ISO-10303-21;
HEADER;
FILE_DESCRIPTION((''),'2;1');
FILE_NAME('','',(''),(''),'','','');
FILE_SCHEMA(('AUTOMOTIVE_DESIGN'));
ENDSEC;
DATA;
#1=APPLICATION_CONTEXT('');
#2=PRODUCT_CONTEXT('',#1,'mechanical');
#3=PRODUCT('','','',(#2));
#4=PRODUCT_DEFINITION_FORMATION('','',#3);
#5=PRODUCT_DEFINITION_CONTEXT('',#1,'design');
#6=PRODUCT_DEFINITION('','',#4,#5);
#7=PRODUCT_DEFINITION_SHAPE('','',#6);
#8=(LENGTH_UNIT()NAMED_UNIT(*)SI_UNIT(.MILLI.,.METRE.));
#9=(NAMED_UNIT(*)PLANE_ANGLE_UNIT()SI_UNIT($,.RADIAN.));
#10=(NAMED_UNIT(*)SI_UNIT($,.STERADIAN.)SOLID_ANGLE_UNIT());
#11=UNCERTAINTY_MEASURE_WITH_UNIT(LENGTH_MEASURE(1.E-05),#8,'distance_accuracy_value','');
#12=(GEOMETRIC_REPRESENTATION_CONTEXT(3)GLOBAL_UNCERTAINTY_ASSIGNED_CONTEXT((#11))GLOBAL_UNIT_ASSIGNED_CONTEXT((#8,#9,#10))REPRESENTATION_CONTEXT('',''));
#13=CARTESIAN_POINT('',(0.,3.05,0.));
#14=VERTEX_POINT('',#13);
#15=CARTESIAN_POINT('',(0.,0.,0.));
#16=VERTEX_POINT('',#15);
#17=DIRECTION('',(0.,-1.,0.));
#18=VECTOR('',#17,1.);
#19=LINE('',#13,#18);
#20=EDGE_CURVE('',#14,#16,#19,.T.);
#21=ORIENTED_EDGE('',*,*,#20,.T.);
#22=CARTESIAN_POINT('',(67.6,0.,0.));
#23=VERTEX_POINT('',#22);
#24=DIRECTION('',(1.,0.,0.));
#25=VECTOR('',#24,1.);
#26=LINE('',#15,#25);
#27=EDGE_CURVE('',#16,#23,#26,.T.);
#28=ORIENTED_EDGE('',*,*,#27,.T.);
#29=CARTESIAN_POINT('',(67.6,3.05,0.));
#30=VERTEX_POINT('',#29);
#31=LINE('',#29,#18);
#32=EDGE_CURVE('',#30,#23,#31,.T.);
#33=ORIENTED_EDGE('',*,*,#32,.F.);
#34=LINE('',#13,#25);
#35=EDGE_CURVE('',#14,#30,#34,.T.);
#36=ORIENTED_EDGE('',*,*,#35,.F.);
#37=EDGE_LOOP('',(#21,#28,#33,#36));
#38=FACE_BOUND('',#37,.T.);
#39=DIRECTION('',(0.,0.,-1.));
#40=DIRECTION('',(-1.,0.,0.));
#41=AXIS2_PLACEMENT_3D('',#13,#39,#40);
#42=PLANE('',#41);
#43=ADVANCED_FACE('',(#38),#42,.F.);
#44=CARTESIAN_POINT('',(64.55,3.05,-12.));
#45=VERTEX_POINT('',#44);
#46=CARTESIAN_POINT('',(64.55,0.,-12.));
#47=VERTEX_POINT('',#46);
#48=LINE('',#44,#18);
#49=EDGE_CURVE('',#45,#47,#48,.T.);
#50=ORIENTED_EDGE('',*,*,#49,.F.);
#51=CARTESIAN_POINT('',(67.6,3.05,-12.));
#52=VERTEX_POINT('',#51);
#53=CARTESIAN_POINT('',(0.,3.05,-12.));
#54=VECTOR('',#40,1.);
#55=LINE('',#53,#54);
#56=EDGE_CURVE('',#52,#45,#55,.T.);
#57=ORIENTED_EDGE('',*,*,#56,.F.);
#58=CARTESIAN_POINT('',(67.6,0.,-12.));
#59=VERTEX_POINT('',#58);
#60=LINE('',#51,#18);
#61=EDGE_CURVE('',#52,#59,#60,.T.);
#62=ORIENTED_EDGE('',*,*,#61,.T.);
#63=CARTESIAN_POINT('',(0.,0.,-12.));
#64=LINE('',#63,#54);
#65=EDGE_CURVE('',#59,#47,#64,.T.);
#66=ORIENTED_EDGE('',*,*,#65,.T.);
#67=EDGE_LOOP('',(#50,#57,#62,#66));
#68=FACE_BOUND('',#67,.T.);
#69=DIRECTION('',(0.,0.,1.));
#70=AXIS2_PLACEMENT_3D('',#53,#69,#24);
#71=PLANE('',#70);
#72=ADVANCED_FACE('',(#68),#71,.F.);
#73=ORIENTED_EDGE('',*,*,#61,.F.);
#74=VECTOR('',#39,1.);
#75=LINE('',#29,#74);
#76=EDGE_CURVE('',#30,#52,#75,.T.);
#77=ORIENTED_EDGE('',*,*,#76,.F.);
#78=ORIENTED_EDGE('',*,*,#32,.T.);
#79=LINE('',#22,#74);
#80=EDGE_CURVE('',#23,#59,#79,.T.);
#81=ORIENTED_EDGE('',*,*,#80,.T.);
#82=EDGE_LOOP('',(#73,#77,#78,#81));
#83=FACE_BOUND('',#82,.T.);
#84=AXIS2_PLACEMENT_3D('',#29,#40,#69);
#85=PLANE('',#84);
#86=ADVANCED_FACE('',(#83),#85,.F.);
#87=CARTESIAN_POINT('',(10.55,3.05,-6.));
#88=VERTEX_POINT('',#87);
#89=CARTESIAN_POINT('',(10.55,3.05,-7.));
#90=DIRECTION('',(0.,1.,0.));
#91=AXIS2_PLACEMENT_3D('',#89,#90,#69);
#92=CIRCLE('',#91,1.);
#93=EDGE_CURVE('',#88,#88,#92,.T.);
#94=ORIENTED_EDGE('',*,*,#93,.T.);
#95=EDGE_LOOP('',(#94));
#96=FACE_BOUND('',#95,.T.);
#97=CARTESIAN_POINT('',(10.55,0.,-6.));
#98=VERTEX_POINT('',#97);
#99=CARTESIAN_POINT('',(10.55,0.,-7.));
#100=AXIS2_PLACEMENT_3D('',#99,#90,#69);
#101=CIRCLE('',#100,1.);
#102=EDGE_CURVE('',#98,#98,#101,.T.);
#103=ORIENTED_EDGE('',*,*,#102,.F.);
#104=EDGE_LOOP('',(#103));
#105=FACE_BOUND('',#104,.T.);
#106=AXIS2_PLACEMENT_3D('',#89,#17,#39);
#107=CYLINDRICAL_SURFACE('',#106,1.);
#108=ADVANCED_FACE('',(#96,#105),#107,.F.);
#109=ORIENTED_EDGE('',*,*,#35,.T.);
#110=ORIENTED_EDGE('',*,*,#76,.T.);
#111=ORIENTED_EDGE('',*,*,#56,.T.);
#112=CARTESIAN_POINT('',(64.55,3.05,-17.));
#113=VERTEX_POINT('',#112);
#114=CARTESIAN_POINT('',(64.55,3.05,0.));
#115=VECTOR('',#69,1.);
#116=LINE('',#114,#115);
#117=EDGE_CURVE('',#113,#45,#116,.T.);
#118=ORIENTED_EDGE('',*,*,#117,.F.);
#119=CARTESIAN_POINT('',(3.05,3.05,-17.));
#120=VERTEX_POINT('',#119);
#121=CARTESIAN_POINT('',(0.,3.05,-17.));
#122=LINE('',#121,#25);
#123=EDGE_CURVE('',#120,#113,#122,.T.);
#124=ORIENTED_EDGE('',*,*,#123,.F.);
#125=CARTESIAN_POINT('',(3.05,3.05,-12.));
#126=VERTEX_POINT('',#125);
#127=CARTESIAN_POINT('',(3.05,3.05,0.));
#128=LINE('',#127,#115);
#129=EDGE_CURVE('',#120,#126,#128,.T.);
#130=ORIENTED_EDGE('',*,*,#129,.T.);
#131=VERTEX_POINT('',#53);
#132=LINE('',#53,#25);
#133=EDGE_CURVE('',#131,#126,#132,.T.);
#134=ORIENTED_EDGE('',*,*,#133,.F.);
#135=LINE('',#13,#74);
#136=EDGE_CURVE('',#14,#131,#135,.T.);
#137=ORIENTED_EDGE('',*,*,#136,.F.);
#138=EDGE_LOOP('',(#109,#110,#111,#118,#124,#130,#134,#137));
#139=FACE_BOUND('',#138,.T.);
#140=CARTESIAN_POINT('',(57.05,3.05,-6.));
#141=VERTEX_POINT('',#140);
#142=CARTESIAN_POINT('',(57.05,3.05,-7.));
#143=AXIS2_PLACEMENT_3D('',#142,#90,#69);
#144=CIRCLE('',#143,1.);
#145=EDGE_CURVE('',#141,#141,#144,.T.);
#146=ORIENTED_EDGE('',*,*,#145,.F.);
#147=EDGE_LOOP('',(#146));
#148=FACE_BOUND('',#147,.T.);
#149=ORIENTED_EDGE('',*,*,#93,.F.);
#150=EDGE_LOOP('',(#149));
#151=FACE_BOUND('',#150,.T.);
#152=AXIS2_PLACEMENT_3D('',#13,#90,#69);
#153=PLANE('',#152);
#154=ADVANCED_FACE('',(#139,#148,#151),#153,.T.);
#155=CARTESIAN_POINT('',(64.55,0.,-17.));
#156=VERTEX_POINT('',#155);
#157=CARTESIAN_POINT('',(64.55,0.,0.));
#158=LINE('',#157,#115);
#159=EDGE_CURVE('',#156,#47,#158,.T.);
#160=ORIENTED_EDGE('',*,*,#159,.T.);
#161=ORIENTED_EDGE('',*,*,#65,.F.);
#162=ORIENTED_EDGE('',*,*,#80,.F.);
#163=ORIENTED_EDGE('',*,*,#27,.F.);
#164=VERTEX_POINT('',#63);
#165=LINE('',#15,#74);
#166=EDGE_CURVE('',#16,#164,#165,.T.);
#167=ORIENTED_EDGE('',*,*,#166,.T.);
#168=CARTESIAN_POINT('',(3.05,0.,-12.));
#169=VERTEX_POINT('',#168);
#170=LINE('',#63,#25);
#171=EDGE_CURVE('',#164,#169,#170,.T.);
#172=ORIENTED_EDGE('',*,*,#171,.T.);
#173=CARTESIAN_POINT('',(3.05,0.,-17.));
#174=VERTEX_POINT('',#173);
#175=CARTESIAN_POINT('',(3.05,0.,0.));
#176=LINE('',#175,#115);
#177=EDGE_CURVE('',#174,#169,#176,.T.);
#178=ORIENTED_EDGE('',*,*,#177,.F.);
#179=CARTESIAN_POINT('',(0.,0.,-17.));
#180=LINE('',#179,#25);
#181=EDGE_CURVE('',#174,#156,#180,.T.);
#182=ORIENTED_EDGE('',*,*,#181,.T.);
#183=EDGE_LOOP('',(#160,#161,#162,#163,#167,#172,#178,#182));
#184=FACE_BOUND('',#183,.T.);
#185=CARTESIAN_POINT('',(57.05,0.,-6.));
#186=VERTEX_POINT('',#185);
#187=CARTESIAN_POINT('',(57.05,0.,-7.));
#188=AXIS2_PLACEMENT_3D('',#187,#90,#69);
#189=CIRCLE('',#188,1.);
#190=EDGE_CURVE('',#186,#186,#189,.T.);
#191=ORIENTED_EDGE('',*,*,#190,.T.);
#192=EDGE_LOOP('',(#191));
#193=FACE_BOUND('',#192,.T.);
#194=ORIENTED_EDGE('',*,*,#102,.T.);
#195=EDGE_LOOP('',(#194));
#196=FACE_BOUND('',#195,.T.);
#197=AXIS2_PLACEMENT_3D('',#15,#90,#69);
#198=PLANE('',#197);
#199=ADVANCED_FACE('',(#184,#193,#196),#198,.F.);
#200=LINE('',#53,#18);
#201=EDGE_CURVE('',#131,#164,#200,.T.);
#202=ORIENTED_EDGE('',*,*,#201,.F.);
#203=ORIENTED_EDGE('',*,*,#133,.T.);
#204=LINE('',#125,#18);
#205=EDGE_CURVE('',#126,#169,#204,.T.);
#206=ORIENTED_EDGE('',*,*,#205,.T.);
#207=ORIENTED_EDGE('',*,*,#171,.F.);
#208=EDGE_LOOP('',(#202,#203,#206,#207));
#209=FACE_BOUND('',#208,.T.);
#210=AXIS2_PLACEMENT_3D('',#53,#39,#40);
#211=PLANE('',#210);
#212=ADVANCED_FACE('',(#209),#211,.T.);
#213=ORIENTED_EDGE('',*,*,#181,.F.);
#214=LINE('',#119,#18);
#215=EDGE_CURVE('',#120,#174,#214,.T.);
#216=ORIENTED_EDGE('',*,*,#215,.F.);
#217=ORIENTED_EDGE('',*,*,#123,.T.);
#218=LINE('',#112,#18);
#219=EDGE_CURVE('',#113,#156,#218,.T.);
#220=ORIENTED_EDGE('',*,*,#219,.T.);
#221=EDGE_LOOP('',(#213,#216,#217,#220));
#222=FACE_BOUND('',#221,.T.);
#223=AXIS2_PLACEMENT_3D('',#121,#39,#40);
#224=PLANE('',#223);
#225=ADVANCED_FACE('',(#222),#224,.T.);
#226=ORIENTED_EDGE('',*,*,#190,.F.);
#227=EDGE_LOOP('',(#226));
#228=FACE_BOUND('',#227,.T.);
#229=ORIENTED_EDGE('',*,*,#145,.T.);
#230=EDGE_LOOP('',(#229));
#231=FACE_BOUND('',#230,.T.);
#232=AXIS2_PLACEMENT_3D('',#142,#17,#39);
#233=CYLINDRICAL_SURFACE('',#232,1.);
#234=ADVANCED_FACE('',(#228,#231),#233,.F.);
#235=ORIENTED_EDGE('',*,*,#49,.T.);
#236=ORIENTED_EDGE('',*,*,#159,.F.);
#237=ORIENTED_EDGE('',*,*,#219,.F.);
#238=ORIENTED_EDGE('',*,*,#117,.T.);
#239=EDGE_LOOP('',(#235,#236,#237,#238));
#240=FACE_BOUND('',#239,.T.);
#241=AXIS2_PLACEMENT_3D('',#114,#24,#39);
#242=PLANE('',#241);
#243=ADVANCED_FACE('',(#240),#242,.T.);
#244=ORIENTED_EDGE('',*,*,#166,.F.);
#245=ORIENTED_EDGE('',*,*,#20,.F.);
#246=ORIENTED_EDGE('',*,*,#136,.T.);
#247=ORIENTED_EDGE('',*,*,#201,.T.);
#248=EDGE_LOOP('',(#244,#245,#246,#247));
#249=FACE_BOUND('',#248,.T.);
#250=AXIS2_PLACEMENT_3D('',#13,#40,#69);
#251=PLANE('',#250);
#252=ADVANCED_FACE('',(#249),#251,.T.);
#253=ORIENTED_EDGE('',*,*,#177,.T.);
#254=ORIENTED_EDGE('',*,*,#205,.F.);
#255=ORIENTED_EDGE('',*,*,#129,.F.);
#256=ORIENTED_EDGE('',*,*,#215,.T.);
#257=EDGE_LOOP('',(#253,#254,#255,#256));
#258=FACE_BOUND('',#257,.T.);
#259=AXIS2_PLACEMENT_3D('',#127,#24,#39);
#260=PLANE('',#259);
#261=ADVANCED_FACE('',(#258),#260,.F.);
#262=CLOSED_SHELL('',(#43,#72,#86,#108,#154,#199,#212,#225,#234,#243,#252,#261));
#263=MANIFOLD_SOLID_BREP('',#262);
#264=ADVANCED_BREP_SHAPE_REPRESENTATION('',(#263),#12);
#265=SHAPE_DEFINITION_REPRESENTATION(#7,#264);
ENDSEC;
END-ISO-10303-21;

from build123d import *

# Parameters (mm, degrees)
SKETCH1_R           = 1
BOSS_EXTRUDE1_DEPTH = 3.05


with BuildPart() as part:
    # Sketch1 → Boss-Extrude1 (new body)
    with BuildSketch(Plane(origin=(0, 0, 0), x_dir=(1, 0, 0), z_dir=(0, 1, 0))):
        Polygon((0, 0), (67.6, 0), (67.6, 12), (64.55, 12), (64.55, 17), (3.05, 17), (3.05, 12), (0, 12), align=None)
        with Locations(Location((57.05, 7, 0), (0, 0, 270))):
            Circle(SKETCH1_R, mode=Mode.SUBTRACT)
        with Locations(Location((10.55, 7, 0), (0, 0, 270))):
            Circle(SKETCH1_R, mode=Mode.SUBTRACT)
    extrude(amount=BOSS_EXTRUDE1_DEPTH)


solid = part.part
